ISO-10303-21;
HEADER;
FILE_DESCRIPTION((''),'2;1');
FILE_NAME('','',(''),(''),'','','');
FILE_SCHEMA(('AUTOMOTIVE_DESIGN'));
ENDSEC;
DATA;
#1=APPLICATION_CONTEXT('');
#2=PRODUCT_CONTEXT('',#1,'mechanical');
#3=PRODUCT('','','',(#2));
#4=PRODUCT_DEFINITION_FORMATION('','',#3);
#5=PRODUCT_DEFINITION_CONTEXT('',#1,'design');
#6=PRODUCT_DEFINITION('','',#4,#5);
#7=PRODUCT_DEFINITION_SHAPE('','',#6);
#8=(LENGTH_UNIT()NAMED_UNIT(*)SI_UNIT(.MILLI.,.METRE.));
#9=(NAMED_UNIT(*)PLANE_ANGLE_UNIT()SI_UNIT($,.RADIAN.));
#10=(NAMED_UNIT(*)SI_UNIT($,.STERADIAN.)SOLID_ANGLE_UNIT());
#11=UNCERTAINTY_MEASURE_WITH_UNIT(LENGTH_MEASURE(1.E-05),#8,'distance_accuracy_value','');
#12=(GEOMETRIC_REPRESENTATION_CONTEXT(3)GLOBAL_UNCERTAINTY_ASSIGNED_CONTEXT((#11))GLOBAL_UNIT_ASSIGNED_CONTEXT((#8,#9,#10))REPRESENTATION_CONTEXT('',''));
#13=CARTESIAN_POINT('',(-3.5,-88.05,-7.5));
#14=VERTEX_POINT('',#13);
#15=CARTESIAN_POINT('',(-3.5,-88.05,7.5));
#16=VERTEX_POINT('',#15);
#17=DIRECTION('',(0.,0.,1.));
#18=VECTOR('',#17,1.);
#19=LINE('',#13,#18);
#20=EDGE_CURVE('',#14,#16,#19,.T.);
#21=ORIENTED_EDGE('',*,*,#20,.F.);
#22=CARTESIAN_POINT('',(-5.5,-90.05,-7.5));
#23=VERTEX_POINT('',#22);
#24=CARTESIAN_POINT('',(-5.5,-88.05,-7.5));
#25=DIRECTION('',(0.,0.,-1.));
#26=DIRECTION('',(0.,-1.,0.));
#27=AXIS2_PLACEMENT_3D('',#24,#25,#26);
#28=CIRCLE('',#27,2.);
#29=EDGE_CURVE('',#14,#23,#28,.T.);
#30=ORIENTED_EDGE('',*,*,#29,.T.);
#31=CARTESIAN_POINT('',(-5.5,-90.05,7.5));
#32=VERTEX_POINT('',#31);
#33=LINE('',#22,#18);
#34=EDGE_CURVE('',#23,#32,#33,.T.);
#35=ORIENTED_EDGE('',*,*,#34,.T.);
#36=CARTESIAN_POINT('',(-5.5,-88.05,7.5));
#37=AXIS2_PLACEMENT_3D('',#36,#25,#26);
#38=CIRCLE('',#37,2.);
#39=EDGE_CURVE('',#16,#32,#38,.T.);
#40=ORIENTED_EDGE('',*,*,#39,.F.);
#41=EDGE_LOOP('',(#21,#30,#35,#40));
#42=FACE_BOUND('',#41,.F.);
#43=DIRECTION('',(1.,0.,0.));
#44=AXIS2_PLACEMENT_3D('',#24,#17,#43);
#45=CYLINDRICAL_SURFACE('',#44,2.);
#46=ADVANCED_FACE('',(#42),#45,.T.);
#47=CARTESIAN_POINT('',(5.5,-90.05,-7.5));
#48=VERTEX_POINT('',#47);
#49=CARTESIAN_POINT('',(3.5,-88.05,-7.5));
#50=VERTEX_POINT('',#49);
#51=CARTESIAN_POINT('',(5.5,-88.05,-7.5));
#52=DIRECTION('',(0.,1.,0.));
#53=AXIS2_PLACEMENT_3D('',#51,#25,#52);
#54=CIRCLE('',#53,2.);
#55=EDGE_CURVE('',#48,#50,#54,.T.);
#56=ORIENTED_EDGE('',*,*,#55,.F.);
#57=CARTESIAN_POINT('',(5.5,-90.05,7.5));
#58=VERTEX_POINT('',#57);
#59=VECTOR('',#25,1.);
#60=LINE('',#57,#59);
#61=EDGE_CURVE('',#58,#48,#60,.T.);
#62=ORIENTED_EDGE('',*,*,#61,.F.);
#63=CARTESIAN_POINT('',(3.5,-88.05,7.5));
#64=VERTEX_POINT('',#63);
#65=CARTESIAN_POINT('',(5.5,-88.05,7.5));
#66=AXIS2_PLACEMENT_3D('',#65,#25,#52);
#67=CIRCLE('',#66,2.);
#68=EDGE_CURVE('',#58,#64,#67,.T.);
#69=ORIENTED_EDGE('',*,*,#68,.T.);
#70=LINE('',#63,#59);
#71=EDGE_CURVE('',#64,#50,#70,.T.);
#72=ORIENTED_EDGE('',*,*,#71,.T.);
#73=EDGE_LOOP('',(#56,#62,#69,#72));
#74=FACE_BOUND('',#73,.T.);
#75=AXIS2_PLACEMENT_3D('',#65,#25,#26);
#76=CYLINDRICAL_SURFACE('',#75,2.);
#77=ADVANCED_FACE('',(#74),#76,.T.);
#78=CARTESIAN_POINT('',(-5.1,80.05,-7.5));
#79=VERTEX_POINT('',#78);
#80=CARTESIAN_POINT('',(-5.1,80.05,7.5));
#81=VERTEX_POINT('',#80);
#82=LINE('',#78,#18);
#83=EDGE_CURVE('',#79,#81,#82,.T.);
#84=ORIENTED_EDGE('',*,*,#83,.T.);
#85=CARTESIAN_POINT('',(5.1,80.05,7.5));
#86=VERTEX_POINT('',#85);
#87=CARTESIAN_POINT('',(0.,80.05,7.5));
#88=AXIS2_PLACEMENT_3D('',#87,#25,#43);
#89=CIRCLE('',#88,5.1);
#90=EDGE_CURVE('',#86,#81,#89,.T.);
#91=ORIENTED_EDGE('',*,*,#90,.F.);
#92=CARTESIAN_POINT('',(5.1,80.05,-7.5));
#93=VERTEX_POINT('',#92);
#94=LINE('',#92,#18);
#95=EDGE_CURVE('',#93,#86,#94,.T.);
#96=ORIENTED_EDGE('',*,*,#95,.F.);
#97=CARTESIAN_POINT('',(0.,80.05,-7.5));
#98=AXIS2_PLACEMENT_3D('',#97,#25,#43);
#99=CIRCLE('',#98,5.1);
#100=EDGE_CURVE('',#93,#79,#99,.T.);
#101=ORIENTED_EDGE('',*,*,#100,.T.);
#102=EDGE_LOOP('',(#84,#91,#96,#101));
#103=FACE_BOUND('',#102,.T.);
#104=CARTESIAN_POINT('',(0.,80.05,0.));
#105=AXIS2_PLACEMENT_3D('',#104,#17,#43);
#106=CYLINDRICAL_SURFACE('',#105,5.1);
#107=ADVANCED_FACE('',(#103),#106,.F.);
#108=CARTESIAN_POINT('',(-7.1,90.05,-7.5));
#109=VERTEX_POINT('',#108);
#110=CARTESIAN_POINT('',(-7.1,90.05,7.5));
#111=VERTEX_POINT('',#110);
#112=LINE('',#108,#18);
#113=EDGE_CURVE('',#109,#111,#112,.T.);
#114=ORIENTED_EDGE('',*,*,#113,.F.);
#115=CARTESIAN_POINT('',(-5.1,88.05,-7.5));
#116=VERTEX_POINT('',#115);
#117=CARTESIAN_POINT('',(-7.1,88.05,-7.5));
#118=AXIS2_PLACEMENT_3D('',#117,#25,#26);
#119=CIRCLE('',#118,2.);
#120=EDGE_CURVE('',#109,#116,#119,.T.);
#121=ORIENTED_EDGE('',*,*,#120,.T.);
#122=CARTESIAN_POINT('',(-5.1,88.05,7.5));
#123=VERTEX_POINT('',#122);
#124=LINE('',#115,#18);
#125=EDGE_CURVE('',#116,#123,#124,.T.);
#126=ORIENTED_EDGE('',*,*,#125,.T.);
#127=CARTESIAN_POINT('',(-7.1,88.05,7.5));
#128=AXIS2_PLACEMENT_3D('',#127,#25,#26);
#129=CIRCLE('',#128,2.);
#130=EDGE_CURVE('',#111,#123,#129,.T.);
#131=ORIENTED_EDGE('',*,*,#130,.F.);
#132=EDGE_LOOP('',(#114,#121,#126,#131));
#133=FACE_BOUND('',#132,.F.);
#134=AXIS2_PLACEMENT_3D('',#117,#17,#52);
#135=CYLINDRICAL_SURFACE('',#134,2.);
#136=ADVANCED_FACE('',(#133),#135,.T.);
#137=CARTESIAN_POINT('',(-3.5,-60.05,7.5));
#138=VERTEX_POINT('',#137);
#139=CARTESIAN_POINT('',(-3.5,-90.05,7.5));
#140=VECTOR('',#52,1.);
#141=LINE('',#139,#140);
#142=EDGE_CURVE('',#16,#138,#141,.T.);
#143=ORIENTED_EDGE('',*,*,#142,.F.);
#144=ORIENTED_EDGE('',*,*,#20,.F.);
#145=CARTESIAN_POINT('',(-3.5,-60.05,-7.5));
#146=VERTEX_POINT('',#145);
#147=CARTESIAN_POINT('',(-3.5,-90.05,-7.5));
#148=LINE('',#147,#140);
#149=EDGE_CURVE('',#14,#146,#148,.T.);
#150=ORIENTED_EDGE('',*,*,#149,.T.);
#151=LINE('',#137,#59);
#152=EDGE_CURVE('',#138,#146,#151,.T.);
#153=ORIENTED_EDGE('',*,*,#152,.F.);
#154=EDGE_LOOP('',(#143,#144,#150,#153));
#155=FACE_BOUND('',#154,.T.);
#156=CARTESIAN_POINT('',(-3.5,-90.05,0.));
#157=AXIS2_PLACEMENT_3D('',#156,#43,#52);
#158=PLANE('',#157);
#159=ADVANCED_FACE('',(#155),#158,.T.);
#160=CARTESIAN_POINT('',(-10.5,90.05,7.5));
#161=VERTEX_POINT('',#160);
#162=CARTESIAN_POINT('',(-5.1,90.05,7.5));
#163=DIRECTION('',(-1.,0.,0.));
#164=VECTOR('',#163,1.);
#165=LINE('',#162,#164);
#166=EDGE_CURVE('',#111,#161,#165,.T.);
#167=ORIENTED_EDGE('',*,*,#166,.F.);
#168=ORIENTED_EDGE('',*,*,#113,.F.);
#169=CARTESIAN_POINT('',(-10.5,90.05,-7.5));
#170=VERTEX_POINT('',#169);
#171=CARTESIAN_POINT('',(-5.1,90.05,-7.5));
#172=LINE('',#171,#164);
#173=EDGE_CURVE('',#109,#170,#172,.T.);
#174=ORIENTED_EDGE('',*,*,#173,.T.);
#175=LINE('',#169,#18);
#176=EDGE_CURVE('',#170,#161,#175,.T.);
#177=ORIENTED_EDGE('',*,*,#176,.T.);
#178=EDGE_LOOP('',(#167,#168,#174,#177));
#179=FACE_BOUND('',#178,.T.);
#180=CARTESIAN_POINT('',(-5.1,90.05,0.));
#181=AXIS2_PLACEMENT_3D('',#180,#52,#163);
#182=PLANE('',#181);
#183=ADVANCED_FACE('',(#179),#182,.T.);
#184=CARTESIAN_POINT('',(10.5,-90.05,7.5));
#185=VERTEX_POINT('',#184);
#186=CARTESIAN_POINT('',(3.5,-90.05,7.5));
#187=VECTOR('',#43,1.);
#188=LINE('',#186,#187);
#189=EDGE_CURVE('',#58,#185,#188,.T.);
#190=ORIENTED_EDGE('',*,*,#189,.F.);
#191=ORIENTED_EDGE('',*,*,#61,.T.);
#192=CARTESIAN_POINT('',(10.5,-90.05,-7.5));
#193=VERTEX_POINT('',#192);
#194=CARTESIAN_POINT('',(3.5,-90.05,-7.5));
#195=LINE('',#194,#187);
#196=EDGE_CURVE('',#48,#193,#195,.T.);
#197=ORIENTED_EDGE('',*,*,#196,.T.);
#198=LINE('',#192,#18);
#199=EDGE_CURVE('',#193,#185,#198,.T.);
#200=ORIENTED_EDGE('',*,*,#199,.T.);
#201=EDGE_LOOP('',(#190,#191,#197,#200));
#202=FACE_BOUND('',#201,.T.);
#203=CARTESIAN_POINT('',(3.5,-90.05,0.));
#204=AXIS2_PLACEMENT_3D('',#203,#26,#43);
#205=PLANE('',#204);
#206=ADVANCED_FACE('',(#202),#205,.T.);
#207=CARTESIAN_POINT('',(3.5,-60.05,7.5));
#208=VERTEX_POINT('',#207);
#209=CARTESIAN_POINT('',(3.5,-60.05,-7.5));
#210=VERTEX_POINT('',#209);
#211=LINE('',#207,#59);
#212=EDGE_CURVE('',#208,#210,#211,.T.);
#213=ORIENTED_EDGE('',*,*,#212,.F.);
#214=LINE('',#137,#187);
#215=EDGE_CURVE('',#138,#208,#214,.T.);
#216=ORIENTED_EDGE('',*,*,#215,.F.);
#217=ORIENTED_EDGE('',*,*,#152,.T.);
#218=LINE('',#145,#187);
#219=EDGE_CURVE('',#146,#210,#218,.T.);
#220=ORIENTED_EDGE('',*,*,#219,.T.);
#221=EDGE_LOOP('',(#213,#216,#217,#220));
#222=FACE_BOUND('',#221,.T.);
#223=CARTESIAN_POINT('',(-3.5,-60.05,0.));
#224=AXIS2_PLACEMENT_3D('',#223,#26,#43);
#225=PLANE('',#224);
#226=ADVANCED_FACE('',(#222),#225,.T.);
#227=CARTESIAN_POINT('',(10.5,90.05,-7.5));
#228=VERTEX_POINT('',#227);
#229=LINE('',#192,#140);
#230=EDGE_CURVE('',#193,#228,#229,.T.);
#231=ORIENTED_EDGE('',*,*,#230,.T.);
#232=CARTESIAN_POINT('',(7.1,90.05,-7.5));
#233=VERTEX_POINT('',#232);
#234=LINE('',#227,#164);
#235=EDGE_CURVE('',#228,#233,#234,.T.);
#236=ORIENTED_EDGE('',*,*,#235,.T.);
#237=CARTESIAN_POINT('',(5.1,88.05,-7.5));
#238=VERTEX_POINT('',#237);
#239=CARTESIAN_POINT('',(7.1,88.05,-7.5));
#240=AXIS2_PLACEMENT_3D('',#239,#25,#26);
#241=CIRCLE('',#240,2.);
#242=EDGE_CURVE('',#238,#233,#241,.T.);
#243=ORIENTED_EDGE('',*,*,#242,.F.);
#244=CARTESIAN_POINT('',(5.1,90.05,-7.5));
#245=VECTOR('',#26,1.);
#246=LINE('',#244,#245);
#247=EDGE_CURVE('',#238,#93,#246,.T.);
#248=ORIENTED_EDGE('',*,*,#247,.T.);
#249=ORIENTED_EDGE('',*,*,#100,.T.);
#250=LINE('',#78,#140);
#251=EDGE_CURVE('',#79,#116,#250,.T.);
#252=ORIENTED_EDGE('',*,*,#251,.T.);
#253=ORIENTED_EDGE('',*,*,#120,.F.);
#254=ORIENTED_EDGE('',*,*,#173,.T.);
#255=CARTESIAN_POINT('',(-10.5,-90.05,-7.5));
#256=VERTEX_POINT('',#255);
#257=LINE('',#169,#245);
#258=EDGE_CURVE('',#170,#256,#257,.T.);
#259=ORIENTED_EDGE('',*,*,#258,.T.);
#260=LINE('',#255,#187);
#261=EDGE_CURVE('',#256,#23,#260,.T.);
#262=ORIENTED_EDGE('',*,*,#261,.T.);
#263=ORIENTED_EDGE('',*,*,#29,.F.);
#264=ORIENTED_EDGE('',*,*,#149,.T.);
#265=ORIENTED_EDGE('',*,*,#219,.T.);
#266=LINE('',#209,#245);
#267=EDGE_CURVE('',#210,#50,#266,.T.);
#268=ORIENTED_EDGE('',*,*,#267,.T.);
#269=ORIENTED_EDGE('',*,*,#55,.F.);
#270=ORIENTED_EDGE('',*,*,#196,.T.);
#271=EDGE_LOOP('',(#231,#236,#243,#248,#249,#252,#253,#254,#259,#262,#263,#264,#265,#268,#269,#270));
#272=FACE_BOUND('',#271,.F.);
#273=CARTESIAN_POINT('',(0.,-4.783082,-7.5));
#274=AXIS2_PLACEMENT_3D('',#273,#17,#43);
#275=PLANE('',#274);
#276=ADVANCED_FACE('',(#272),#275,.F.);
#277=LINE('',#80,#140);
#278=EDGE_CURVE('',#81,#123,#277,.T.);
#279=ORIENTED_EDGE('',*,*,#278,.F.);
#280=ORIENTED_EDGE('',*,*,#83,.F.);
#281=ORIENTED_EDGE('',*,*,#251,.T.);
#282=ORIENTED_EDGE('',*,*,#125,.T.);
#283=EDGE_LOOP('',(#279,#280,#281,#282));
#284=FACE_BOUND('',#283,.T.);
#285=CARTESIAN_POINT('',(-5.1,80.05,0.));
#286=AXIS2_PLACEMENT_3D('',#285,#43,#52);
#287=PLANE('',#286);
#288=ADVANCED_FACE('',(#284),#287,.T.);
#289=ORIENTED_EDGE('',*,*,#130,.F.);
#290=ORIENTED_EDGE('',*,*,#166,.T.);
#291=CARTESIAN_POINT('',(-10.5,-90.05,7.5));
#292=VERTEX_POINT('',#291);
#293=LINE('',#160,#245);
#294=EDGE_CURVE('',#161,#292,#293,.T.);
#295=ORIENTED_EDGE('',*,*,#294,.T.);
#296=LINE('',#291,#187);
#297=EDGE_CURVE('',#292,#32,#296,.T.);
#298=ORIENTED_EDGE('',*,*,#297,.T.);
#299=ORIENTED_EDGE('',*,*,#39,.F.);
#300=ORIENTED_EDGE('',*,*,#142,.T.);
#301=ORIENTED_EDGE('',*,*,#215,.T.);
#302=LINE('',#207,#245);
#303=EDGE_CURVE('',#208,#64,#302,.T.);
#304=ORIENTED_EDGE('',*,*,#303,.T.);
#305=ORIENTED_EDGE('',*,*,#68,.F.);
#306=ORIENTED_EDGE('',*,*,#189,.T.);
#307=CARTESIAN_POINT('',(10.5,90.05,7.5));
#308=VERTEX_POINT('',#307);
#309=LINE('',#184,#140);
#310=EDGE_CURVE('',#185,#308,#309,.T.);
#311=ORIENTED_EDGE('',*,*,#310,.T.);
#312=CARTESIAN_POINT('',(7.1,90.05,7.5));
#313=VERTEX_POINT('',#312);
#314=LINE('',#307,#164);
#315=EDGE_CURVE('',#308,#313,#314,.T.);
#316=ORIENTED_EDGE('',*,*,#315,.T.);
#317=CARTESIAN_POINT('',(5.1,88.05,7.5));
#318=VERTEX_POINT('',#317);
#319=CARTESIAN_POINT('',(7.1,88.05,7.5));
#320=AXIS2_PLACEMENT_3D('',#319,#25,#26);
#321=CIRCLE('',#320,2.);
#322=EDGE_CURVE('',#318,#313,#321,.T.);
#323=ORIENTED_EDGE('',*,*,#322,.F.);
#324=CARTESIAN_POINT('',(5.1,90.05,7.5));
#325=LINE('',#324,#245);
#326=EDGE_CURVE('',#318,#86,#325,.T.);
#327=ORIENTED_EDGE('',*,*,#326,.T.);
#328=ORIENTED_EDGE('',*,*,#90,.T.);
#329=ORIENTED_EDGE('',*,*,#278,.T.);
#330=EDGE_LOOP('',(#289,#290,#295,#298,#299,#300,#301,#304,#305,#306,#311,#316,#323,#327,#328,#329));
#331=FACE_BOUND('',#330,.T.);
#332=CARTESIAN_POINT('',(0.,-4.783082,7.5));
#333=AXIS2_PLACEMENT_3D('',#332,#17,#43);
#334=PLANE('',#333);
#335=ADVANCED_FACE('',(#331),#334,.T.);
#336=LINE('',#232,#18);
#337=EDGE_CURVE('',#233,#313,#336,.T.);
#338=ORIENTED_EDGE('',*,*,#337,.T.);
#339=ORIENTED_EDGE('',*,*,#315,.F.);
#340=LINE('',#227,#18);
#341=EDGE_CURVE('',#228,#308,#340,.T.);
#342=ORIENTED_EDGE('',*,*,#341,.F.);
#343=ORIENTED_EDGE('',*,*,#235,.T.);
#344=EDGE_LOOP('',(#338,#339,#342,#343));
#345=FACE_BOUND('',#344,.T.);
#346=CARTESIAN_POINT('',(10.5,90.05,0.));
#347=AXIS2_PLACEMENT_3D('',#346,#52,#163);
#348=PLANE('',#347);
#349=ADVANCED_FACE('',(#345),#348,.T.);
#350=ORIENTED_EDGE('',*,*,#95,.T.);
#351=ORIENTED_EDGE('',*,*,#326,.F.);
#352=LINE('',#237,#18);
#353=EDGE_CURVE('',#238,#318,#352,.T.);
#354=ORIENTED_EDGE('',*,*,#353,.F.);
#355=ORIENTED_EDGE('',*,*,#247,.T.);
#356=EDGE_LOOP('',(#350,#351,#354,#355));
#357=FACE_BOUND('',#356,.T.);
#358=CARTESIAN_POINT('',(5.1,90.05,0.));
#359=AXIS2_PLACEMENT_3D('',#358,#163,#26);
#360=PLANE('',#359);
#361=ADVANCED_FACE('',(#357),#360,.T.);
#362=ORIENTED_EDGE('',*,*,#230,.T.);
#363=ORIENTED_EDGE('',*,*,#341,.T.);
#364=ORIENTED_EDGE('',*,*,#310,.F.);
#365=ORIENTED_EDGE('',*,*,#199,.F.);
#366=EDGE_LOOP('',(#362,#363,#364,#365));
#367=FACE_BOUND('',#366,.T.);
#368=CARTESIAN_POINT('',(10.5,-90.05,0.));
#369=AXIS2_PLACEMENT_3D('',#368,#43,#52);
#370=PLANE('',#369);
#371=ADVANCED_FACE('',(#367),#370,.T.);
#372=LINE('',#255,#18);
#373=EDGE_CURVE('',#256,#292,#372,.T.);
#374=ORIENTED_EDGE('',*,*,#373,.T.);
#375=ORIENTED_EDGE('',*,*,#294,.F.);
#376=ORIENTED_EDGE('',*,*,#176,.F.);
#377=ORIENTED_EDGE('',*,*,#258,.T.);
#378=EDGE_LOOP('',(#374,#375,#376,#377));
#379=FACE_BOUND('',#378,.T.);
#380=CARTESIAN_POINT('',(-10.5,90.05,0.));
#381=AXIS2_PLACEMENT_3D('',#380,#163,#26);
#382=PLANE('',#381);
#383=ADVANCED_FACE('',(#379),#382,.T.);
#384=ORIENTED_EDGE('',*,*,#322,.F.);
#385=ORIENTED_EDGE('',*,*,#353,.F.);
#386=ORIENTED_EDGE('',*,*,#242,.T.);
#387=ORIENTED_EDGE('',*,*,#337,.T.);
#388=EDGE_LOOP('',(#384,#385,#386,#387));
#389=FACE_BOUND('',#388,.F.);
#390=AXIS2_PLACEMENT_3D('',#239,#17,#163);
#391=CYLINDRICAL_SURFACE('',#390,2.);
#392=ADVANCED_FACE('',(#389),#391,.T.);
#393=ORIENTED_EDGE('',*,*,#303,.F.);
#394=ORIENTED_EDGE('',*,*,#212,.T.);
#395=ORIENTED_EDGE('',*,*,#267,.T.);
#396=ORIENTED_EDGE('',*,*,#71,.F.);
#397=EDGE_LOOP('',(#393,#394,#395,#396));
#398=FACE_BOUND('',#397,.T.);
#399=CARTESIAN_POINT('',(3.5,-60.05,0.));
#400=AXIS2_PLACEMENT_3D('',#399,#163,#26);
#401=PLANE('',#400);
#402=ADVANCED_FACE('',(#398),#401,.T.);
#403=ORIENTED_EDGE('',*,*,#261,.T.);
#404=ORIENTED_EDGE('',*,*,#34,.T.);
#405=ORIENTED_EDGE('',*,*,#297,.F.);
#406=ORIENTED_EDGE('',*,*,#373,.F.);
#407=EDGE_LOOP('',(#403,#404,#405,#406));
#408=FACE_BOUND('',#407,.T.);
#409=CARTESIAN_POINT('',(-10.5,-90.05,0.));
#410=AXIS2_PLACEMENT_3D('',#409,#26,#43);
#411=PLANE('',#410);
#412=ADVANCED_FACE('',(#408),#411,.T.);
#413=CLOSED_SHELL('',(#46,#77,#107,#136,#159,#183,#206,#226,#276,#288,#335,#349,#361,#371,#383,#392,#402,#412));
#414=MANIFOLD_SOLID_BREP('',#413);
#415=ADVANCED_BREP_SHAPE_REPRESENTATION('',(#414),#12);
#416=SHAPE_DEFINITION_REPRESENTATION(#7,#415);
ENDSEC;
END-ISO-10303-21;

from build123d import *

# Parameters (mm, degrees)
F1_DEPTH = 7.5
F2_R     = 2


with BuildPart() as f1:
    # F0 (on Top) → F1 (new body, symmetric)
    with BuildSketch(Plane.XY):
        with BuildLine():
            Line((3.5, -90.05), (10.5, -90.05))
            Line((10.5, -90.05), (10.5, 90.05))
            Line((10.5, 90.05), (5.1, 90.05))
            Line((5.1, 90.05), (5.1, 80.05))
            ThreePointArc((5.1, 80.05), (0, 74.95), (-5.1, 80.05))
            Line((-5.1, 80.05), (-5.1, 90.05))
            Line((-5.1, 90.05), (-10.5, 90.05))
            Line((-10.5, 90.05), (-10.5, -90.05))
            Line((-10.5, -90.05), (-3.5, -90.05))
            Line((-3.5, -90.05), (-3.5, -60.05))
            Line((-3.5, -60.05), (3.5, -60.05))
            Line((3.5, -60.05), (3.5, -90.05))
        make_face()
    extrude(amount=F1_DEPTH, both=True)

    # F2
    f2_edges = [f1.edges().sort_by_distance(p)[0] for p in [
        (5.1, 90.05, 0),
        (-5.1, 90.05, 0),
        (-3.5, -90.05, 0),
        (3.5, -90.05, 0),
    ]]
    fillet(f2_edges, radius=F2_R)


solid = f1.part
